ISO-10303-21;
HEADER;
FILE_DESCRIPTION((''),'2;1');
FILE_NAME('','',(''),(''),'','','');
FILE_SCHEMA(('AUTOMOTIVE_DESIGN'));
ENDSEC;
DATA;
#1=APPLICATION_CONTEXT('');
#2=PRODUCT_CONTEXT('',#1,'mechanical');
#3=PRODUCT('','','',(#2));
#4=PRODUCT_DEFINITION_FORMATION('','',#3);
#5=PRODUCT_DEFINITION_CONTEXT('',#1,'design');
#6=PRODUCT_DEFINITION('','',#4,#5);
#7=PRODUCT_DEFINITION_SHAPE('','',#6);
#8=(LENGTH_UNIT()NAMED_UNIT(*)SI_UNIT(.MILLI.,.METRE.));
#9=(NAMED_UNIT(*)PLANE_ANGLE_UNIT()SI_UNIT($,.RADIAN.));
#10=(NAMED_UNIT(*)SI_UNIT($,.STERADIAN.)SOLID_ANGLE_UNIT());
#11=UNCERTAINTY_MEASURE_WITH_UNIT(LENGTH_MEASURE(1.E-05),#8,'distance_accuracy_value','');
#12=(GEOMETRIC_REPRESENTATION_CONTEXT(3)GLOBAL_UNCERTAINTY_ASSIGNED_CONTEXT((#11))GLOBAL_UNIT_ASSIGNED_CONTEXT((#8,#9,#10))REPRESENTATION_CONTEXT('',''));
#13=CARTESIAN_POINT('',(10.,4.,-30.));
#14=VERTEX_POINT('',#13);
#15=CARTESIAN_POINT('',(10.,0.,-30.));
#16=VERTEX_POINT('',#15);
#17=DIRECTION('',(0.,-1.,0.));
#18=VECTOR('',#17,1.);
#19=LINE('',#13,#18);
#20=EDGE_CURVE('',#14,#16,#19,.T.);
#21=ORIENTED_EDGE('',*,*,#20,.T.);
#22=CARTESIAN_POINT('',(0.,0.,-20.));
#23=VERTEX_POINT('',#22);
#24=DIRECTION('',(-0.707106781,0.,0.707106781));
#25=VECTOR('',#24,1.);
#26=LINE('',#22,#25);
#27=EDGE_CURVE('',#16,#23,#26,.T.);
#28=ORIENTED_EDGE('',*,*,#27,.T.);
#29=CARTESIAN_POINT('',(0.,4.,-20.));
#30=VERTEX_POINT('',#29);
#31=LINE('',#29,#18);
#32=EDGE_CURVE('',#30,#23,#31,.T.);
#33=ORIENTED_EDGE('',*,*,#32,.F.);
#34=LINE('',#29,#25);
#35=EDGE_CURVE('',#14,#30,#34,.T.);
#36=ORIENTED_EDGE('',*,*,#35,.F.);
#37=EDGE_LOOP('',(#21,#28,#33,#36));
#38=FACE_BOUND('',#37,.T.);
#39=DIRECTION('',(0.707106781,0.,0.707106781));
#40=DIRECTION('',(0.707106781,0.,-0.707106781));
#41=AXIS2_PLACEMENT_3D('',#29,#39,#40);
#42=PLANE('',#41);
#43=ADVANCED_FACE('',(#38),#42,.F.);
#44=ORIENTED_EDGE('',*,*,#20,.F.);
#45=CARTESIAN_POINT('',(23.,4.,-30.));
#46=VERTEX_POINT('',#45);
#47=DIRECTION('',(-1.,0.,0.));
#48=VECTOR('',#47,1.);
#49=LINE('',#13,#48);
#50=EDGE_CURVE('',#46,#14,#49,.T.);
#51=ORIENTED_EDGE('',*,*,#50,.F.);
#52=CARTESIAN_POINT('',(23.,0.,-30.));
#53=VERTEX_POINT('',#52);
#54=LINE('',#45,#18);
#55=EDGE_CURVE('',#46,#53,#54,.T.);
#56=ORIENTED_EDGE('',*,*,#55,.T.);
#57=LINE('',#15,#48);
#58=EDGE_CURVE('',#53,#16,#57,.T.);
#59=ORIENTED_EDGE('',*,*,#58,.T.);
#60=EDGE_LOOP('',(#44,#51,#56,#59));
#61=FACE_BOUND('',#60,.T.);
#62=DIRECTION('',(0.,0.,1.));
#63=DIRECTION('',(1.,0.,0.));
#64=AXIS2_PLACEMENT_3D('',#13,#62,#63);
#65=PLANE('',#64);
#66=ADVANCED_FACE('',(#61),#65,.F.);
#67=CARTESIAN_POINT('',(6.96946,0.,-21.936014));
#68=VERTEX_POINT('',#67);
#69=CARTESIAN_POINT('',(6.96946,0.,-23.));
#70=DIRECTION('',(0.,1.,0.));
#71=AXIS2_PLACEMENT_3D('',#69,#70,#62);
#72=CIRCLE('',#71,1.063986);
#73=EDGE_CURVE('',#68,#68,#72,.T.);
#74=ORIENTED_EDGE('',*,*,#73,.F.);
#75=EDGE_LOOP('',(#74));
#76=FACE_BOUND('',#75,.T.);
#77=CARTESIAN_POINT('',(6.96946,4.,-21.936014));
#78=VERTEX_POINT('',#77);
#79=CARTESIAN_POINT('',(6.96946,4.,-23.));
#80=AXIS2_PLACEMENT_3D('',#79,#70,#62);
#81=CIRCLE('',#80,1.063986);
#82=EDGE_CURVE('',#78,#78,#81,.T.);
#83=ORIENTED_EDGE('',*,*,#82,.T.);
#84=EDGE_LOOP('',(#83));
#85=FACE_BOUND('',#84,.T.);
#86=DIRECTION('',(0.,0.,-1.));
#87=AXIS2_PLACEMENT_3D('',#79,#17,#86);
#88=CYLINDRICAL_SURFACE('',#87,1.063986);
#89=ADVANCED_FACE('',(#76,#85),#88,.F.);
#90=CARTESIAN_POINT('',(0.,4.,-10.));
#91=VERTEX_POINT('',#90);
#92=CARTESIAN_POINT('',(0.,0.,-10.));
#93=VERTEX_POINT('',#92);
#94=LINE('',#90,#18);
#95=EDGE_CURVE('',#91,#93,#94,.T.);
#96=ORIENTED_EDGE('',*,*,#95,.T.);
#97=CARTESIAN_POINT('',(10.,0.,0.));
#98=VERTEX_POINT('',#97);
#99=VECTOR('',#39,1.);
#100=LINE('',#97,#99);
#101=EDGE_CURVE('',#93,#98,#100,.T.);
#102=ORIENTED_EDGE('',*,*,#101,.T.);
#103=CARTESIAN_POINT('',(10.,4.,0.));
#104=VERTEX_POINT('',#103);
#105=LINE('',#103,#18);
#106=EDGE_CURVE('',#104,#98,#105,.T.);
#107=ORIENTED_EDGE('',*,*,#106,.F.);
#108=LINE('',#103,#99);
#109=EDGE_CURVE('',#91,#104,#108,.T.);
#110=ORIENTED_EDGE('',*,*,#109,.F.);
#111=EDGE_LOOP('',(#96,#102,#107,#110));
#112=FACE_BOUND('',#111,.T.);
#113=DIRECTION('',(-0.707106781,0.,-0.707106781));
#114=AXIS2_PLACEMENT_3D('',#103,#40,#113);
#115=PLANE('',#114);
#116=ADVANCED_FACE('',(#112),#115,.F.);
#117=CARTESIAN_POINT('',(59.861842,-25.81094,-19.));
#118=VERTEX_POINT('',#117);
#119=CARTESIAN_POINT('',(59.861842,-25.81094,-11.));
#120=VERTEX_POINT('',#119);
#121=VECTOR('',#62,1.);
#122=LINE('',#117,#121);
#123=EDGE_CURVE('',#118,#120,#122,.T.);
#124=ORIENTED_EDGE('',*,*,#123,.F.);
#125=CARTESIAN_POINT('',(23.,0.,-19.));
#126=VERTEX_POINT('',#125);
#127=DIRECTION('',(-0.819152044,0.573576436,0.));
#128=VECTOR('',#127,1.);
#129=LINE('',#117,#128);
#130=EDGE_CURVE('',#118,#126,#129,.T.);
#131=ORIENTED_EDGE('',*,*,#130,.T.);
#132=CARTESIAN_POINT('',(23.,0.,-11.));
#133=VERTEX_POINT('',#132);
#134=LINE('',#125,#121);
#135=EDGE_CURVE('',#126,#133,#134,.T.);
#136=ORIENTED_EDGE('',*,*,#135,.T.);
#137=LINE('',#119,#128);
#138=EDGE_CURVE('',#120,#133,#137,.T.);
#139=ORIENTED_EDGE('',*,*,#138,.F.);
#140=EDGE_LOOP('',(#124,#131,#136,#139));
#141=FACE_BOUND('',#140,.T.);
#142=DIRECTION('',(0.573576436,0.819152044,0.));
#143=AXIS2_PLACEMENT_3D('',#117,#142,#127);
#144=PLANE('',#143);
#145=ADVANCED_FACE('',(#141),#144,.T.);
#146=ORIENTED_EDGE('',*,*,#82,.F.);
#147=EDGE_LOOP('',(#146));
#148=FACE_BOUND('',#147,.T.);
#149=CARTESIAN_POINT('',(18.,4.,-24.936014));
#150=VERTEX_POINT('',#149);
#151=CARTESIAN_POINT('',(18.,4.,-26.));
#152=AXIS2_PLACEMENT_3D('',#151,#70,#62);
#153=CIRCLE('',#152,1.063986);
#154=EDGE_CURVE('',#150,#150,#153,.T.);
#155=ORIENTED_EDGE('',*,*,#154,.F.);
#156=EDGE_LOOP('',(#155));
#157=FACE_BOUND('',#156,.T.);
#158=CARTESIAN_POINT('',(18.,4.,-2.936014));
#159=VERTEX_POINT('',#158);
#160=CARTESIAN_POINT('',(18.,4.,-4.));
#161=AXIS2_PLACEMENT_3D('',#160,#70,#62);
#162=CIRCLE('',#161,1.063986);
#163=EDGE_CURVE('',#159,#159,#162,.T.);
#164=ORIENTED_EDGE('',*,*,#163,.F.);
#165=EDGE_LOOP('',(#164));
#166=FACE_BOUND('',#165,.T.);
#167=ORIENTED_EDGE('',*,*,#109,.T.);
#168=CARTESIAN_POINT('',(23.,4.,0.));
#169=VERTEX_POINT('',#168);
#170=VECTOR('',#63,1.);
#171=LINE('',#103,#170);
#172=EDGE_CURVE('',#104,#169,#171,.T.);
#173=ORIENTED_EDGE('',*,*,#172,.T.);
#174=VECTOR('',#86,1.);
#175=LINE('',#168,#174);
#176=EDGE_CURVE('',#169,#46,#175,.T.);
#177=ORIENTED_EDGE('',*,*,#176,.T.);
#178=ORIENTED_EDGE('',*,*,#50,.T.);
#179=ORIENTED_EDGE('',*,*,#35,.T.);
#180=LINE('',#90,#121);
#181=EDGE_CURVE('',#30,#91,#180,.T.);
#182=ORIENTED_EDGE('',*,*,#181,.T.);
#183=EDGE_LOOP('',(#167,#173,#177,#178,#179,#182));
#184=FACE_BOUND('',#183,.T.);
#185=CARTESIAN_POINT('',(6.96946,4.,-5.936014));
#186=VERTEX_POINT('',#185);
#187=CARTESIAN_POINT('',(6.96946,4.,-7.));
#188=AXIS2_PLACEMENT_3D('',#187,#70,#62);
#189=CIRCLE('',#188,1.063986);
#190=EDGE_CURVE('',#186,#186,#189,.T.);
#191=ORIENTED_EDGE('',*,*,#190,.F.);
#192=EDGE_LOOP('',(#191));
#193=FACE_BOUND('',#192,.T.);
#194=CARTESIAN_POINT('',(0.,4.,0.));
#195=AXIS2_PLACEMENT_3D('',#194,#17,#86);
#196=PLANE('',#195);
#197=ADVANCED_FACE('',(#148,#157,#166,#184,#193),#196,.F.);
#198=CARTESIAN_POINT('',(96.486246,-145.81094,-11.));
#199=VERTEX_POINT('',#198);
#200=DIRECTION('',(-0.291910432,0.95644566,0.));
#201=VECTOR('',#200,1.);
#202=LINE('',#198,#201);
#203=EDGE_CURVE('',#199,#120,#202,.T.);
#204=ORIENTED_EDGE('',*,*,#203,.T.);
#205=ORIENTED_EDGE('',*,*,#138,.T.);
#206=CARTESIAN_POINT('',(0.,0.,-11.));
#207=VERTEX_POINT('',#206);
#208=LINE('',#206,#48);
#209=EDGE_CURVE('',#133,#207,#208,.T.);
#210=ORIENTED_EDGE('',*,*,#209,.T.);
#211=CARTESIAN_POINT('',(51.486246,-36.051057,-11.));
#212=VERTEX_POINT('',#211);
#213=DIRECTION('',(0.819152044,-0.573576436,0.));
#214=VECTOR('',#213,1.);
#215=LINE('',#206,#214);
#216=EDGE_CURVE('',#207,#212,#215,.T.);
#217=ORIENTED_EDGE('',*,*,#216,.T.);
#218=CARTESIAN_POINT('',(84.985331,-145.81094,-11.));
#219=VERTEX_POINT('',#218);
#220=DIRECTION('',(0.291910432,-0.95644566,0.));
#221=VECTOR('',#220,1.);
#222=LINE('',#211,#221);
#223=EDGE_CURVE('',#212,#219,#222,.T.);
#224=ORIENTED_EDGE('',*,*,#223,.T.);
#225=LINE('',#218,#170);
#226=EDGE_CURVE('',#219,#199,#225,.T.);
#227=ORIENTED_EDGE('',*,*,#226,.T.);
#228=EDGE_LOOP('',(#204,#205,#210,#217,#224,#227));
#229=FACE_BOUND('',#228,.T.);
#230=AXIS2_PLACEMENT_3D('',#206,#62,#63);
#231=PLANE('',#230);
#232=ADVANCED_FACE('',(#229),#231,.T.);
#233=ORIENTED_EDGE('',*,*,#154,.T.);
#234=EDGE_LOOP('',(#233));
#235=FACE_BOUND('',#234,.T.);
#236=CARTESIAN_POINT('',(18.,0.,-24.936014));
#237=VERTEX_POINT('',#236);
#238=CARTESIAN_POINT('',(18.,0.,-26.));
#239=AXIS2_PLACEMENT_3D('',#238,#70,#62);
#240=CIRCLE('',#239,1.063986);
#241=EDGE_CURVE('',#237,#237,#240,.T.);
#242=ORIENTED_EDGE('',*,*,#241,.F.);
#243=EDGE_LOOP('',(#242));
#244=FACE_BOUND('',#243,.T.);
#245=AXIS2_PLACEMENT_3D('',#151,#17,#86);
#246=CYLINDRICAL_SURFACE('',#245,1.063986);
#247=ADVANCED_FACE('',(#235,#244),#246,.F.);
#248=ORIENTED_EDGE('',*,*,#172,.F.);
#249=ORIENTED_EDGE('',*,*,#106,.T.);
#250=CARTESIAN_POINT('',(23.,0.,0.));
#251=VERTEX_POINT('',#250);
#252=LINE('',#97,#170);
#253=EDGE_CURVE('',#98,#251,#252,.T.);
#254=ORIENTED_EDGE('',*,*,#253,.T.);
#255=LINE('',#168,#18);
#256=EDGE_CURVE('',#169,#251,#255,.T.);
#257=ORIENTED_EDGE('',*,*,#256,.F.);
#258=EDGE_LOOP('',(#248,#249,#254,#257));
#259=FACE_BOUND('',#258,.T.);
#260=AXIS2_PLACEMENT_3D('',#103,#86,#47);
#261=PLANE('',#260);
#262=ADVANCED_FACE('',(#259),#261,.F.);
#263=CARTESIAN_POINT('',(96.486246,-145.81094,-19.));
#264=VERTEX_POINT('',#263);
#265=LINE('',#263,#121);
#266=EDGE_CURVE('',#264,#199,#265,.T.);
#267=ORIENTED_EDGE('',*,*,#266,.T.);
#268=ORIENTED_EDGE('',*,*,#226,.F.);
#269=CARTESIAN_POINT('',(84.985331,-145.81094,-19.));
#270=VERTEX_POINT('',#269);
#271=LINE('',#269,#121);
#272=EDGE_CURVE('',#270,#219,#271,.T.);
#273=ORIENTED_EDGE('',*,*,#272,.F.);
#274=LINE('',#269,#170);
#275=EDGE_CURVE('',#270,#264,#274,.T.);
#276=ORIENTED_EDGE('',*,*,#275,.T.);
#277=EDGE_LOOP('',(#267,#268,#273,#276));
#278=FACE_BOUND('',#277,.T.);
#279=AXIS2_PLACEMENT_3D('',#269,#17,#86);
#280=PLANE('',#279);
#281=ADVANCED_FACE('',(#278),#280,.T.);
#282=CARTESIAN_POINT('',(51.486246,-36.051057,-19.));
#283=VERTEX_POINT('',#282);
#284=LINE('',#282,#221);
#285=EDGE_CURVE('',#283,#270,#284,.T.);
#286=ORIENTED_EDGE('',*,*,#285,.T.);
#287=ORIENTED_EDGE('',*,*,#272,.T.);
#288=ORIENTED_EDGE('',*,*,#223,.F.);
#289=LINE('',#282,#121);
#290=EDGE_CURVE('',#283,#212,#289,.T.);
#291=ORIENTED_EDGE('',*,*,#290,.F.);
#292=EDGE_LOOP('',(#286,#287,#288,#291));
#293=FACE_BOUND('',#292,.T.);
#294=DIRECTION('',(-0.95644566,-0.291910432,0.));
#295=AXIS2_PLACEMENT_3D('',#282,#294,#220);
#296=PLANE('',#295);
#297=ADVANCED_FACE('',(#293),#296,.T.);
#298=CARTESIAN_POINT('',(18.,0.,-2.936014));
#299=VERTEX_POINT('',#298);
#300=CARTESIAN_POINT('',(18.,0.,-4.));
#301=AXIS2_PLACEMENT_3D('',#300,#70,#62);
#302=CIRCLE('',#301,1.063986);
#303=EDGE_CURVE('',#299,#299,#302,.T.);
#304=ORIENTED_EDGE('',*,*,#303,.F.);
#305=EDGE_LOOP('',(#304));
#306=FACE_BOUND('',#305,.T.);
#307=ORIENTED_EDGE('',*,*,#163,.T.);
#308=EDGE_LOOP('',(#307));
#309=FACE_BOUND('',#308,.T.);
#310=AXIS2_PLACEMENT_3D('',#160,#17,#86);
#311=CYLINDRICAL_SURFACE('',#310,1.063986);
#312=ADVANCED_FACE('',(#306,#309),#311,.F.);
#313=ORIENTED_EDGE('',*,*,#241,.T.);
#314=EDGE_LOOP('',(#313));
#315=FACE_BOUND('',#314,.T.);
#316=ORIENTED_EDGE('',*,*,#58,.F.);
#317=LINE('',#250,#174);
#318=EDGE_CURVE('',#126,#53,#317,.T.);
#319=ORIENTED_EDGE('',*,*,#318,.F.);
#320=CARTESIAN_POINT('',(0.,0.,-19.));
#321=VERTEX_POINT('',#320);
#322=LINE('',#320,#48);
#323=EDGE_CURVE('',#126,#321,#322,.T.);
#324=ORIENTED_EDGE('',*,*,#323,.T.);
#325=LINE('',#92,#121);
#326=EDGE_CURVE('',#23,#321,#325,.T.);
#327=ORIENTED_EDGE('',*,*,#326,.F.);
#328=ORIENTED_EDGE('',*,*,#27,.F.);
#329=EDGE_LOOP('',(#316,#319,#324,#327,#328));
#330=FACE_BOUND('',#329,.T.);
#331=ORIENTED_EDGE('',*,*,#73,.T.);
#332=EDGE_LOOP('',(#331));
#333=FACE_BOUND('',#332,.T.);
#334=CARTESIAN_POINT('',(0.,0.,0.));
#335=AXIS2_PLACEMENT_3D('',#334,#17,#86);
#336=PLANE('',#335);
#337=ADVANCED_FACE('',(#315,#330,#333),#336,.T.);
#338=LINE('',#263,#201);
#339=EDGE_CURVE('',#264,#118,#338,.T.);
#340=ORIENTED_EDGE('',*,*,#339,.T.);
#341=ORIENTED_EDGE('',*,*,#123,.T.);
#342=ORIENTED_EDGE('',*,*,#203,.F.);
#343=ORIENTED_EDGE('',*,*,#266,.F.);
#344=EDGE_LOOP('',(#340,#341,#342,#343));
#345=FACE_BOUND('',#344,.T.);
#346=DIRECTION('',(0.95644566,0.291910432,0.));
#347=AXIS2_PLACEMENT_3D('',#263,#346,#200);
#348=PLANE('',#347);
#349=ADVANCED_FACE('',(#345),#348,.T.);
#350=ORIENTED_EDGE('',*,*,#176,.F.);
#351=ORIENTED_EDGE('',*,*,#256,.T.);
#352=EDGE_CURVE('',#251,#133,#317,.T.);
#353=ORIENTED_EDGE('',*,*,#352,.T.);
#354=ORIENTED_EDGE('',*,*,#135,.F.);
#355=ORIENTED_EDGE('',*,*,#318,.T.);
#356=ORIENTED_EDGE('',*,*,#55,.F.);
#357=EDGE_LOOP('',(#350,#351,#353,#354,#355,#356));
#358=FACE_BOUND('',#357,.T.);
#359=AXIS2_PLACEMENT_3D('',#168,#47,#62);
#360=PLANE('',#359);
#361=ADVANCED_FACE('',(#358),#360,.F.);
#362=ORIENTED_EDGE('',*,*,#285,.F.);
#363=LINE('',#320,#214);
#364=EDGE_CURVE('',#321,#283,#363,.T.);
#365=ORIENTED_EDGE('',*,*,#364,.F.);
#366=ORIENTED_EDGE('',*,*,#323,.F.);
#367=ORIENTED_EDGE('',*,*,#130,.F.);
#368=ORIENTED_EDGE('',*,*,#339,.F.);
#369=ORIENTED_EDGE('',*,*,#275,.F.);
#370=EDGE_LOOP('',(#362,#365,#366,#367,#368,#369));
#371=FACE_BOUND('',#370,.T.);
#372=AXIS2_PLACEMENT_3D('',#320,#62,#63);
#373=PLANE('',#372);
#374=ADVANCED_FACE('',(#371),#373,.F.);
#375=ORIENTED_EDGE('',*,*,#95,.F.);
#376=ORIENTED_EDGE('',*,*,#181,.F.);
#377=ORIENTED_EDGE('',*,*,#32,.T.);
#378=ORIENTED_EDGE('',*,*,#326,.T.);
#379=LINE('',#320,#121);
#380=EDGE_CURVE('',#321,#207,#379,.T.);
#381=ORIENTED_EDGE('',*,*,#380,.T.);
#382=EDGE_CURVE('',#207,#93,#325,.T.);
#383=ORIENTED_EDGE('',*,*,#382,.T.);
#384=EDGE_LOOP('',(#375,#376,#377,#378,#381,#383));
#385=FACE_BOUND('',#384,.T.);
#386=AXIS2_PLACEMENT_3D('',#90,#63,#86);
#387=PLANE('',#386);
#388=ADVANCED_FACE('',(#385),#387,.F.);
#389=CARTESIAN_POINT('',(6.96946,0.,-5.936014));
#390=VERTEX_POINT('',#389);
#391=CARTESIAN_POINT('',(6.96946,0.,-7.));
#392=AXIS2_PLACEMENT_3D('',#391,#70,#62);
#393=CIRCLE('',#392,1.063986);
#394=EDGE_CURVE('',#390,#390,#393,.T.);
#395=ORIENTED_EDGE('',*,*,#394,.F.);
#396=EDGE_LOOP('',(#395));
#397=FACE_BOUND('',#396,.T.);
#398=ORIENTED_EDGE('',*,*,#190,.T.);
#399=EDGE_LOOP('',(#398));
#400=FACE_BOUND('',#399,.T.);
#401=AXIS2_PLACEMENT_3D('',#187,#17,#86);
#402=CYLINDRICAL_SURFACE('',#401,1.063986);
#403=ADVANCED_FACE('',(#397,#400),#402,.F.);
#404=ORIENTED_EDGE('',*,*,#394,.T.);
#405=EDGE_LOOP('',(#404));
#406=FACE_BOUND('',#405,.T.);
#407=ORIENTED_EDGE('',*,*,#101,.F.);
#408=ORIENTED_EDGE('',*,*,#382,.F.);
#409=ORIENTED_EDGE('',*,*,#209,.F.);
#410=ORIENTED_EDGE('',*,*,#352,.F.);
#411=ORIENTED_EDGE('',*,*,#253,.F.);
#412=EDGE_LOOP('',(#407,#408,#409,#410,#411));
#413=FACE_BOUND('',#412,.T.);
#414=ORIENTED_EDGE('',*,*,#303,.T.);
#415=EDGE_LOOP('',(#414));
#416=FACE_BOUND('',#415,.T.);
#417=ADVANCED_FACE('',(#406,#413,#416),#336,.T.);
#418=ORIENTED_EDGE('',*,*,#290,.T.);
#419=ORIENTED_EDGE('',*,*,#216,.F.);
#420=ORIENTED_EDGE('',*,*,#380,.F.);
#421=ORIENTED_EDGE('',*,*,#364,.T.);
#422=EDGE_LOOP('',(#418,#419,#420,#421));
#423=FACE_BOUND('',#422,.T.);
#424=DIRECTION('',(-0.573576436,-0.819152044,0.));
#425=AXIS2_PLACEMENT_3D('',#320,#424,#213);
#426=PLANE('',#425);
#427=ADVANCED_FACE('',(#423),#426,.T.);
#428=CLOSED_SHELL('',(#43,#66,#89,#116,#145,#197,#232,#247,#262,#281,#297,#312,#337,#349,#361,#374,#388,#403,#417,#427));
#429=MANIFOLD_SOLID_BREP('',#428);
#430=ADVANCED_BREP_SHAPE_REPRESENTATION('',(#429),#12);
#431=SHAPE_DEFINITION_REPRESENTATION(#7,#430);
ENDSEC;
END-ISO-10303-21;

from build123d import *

# Parameters (mm, degrees)
SKETCH1_R                = 1.063985932
BOSS_EXTRUDE1_DEPTH      = 4
BOSS_EXTRUDE2_DEPTH      = 4
BOSS_EXTRUDE2_DEPTH_BACK = 4


with BuildPart() as part:
    # Sketch1 → Boss-Extrude1 (new body)
    with BuildSketch(Plane(origin=(0, 0, 0), x_dir=(1, 0, 0), z_dir=(0, 1, 0))):
        Polygon((0, 20), (10, 30), (23, 30), (23, 0), (10, 0), (0, 10), align=None)
        with Locations((6.969459898, 7)):
            Circle(SKETCH1_R, mode=Mode.SUBTRACT)
        with Locations((18, 4)):
            Circle(SKETCH1_R, mode=Mode.SUBTRACT)
        with Locations((18, 26)):
            Circle(SKETCH1_R, mode=Mode.SUBTRACT)
        with Locations((6.969459898, 23)):
            Circle(SKETCH1_R, mode=Mode.SUBTRACT)
    extrude(amount=BOSS_EXTRUDE1_DEPTH)

    # Sketch2 → Boss-Extrude2 (add, two sides)
    with BuildSketch(Plane.XY.offset(-15)) as boss_extrude2_sk:
        Polygon((0, 0), (51.486245577, -36.051057267), (84.98533082, -145.810939636), (96.486245577, -145.810939636), (59.861841993, -25.810939636), (23, 0), align=None)
    extrude(amount=BOSS_EXTRUDE2_DEPTH)
    extrude(boss_extrude2_sk.sketch, amount=-BOSS_EXTRUDE2_DEPTH_BACK)


solid = part.part
